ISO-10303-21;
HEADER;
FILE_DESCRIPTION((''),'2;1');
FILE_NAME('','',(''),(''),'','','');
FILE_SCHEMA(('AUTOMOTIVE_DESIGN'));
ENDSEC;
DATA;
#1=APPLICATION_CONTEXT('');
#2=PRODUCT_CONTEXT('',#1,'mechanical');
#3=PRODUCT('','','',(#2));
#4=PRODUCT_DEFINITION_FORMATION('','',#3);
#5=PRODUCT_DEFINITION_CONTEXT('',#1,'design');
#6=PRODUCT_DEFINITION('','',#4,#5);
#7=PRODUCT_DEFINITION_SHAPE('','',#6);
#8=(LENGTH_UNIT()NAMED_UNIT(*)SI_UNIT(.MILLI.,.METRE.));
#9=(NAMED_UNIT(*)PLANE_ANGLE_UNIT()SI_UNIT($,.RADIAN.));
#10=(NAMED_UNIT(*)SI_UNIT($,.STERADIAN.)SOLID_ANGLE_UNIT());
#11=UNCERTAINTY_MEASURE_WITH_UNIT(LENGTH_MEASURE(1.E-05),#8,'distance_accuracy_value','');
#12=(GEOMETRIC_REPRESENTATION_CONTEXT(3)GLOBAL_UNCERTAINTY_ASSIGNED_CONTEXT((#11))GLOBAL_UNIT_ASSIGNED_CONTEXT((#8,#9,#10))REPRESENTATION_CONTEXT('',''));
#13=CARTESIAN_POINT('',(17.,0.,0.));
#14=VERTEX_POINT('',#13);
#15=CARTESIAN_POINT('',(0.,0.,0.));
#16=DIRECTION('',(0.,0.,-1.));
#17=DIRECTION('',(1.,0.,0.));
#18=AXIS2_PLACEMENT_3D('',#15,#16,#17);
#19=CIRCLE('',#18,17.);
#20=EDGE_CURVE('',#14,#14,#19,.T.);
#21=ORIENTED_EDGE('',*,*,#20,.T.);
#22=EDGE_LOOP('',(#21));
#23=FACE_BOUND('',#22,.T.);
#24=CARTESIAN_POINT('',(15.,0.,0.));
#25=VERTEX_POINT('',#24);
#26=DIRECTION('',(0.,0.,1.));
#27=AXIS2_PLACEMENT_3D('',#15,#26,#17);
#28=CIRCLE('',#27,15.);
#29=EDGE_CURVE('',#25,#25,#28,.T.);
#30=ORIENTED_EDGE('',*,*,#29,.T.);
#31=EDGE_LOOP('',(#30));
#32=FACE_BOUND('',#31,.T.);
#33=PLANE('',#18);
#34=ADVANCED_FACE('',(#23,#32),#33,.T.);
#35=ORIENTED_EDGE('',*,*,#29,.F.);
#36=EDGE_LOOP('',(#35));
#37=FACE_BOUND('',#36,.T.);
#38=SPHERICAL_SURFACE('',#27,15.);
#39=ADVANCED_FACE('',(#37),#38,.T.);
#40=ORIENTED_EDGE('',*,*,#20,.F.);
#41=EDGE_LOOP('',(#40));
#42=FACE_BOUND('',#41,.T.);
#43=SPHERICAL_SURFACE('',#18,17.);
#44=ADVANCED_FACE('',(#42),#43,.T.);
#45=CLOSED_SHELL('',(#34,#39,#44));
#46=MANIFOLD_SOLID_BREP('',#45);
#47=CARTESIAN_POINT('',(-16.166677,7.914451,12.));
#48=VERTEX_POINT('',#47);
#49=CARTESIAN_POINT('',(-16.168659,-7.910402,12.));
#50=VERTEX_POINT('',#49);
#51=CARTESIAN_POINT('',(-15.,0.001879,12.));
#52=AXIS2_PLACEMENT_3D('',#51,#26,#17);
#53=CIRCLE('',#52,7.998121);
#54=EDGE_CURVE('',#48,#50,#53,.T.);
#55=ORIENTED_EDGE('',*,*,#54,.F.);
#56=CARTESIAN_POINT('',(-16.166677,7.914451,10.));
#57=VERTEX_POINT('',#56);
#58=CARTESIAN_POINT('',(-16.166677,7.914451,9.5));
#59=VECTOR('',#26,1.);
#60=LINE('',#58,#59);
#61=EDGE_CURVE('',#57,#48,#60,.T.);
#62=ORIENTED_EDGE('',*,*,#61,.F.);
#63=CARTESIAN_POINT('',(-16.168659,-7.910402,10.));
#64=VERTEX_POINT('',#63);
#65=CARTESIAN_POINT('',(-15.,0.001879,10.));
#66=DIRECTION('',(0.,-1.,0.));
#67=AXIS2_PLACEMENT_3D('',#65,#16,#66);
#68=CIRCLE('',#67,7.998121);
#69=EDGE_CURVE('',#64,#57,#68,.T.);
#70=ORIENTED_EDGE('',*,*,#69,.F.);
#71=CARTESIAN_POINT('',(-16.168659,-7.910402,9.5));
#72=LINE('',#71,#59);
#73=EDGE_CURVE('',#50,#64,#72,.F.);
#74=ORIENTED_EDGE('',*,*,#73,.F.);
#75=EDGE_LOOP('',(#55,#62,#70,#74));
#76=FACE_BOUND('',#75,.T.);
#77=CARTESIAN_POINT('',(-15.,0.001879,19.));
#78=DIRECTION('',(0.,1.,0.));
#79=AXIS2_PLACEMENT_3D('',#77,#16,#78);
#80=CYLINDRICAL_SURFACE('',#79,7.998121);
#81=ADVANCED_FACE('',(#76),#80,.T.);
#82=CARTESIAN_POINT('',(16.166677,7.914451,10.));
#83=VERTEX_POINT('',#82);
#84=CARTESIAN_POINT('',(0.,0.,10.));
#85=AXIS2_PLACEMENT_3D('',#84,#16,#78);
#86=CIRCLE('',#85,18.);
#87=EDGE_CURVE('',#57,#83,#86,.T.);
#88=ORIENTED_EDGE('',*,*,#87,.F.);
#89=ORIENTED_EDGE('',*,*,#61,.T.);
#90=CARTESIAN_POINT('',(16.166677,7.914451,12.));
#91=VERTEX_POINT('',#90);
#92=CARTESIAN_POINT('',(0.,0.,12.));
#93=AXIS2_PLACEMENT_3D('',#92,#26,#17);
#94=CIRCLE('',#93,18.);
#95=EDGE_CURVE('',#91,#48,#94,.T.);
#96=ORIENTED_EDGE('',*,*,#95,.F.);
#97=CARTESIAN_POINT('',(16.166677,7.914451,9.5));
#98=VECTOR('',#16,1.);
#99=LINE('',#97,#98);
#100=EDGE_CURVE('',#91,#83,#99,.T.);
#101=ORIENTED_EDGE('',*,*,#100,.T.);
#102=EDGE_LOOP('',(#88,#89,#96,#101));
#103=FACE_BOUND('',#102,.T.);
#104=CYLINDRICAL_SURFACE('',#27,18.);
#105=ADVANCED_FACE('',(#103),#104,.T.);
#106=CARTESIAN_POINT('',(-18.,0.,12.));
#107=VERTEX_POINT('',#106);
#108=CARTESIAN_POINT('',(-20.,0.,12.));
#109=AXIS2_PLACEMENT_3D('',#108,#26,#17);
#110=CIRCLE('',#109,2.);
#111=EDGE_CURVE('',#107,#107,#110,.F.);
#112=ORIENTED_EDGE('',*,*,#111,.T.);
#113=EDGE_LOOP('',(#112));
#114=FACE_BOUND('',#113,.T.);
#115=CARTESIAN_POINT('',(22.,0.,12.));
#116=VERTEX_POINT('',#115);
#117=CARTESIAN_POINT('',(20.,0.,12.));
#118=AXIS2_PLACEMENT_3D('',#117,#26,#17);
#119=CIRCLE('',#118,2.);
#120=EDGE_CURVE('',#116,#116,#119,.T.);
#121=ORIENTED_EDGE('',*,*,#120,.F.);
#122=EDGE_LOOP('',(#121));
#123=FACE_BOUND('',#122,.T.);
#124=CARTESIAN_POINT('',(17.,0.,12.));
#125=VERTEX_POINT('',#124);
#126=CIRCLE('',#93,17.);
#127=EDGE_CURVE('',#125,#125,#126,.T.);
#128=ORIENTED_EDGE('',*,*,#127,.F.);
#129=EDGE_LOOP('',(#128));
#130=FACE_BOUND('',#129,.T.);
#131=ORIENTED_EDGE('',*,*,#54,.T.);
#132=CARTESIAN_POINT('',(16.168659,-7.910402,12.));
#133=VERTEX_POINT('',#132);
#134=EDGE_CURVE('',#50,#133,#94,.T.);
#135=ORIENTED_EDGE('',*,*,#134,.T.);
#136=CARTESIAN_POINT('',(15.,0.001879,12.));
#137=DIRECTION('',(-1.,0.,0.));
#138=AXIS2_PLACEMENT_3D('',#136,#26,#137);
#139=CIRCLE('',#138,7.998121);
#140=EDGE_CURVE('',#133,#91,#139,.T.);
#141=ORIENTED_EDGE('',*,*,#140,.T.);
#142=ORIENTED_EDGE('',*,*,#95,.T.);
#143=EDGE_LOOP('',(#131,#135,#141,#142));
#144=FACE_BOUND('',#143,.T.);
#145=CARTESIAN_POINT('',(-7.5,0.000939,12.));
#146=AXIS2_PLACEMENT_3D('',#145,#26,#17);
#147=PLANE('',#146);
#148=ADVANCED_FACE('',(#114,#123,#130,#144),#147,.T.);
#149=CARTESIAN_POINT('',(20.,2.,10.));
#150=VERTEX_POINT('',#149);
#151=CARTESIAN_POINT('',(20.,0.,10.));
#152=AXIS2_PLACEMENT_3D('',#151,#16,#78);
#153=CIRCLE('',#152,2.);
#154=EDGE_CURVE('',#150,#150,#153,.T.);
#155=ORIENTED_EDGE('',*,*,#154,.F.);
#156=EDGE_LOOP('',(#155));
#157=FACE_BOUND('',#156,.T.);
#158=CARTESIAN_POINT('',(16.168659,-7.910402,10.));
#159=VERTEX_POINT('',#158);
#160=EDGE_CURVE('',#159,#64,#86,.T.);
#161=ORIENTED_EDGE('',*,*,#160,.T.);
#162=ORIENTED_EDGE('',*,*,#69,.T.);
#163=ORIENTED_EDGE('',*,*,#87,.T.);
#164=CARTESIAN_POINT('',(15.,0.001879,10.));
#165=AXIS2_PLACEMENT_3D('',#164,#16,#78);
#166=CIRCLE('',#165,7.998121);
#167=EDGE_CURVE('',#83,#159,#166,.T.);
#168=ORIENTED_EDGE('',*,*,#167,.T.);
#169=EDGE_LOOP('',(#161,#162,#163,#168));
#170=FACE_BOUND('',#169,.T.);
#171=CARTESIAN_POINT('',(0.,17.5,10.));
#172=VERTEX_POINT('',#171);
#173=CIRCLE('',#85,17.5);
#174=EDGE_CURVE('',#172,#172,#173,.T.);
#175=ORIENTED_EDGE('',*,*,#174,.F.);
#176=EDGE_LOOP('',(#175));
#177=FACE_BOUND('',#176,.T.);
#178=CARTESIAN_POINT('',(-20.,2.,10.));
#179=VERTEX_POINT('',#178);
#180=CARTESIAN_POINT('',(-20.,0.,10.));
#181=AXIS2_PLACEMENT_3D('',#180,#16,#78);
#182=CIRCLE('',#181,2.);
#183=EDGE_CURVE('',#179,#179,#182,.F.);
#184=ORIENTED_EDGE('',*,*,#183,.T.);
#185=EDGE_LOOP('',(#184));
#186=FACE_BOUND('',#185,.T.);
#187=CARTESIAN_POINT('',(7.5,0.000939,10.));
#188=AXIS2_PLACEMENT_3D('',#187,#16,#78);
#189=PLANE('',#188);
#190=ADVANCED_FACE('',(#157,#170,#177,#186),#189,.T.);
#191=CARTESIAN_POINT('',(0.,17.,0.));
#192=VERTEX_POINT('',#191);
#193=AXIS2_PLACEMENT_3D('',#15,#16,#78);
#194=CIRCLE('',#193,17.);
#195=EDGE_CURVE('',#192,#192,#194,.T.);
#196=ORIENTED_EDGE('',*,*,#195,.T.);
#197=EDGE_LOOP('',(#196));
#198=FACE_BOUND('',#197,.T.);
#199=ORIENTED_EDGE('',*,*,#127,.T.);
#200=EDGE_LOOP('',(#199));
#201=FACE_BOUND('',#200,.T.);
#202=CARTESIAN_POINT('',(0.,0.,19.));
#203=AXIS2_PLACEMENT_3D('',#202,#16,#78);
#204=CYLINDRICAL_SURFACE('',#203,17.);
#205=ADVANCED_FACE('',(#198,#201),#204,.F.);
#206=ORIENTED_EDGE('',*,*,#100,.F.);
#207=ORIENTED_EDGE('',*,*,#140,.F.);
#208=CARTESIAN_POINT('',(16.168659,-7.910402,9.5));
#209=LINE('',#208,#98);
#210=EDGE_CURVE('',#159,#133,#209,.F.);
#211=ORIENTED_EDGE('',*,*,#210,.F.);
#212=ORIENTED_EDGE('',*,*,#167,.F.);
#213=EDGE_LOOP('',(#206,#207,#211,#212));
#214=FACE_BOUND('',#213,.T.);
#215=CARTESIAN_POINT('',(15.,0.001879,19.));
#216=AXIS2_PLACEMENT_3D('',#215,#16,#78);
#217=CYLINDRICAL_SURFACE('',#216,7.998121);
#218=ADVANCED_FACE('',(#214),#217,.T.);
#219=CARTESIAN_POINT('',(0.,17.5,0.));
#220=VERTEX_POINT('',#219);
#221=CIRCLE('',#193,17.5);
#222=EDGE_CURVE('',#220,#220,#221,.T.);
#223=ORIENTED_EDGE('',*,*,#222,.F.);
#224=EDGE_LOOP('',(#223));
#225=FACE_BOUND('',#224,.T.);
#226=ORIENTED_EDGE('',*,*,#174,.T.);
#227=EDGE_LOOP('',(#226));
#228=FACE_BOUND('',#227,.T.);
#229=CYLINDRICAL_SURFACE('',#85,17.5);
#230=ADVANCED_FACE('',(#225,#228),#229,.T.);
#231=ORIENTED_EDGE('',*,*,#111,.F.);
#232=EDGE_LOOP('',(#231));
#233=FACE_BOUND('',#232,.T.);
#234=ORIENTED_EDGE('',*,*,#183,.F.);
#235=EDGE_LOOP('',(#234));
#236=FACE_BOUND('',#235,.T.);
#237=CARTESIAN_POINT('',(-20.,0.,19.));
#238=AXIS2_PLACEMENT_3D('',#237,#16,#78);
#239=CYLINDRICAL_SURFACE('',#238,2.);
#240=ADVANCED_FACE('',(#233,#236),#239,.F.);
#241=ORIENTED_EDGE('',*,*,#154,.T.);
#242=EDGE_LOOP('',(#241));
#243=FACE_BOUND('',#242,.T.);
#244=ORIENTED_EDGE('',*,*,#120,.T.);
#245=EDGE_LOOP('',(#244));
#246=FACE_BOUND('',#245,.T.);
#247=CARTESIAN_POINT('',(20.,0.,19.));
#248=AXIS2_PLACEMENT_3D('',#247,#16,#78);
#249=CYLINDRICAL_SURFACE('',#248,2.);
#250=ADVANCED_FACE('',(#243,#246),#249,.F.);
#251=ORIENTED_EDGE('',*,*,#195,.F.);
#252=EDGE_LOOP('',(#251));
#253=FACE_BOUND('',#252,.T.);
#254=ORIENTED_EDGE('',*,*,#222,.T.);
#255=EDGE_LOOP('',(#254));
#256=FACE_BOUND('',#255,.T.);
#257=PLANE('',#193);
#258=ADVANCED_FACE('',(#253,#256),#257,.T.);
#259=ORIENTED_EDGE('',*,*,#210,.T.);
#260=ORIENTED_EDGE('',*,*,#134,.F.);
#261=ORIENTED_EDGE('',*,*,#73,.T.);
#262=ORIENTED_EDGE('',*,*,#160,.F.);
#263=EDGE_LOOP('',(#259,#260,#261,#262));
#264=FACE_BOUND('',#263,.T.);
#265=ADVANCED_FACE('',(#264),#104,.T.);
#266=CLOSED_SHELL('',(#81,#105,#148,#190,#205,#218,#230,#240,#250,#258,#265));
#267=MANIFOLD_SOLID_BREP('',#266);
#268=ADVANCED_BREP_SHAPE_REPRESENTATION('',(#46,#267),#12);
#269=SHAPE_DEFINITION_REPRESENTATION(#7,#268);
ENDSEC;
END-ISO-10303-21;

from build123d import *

# Parameters (mm, degrees)
REVOLVE5_ANGLE        = 180
SKETCH6_R             = 2
BOSS_EXTRUDE2_DEPTH   = 19
BOSS_EXTRUDE2_2_DEPTH = 19
SKETCH7_R             = 18
SKETCH7_R_2           = 17
BOSS_EXTRUDE3_DEPTH   = 19
SKETCH8_R             = 17.5
CUT_EXTRUDE5_DEPTH    = 10
SKETCH10_R            = 17.5
CUT_EXTRUDE6_DEPTH    = 7
SKETCH11_R            = 17.5
SKETCH11_R_2          = 17
CUT_EXTRUDE7_DEPTH    = 7


with BuildPart() as part:
    # Sketch1 → Revolve4 (revolve)
    with BuildSketch(Plane.XY):
        with BuildLine():
            Line((-15, 0), (15, 0))
            ThreePointArc((15, 0), (0, 15), (-15, 0))
        make_face()
    revolve(axis=Axis((-15, 0, 0), (1, 0, 0)))

    # Sketch5 → Revolve5 (revolve)
    with BuildSketch(Plane.XY):
        with BuildLine():
            Line((-17, 0), (-15, 0))
            ThreePointArc((-15, 0), (0, 15), (15, 0))
            Line((15, 0), (17, 0))
            ThreePointArc((17, 0), (0, 17), (-17, 0))
        make_face()
    revolve(axis=Axis((-17, 0, 0), (1, 0, 0)), revolution_arc=REVOLVE5_ANGLE)


with BuildPart() as body_2:
    # Sketch6 → Boss-Extrude2 (new body)
    with BuildSketch(Plane(origin=(0, 0, 0), x_dir=(-1, 0, 0), z_dir=(0, 0, -1))):
        with BuildLine():
            ThreePointArc((17, 0), (16.492938745, -4.121040105), (15.002003347, -7.996242591))
            ThreePointArc((15.002003347, -7.996242591), (20.655570006, -5.653603202), (22.9981212, 0))
            ThreePointArc((22.9981212, 0), (20.656190033, 5.656740256), (15, 8))
            ThreePointArc((15, 8), (16.492422502, 4.123105626), (17, 0))
        make_face()
        with Locations(Location((20, 0, 0), (0, 0, 90))):
            Circle(SKETCH6_R, mode=Mode.SUBTRACT)
    extrude(amount=-BOSS_EXTRUDE2_DEPTH)



with BuildPart() as body_3:
    # Sketch6 → Boss-Extrude2 2 (new body)
    with BuildSketch(Plane(origin=(0, 0, 0), x_dir=(-1, 0, 0), z_dir=(0, 0, -1))):
        with BuildLine():
            ThreePointArc((-15, 8), (-22.998121358, 0.002880253), (-15.002003347, -7.996242591))
            ThreePointArc((-15.002003347, -7.996242591), (-16.999999867, 0.002129056), (-15, 8))
        make_face()
        with Locations(Location((-20, 0, 0), (0, 0, 90))):
            Circle(SKETCH6_R, mode=Mode.SUBTRACT)
    extrude(amount=-BOSS_EXTRUDE2_2_DEPTH)


with BuildPart() as body_2_1:
    add(body_2.part)

    add(body_3.part)  # Boss-Extrude3 merges body 3
    # Sketch7 → Boss-Extrude3 (add)
    with BuildSketch(Plane.XY.offset(19)):
        Circle(SKETCH7_R)
        with Locations(Location((0, 0, 0), (0, 0, 90))):
            Circle(SKETCH7_R_2, mode=Mode.SUBTRACT)
    extrude(amount=-BOSS_EXTRUDE3_DEPTH)

    # Sketch8 → Cut-Extrude5 (cut)
    with BuildSketch(Plane(origin=(0, 0, 0), x_dir=(-1, 0, 0), z_dir=(0, 0, -1))):
        with BuildLine():
            ThreePointArc((-16.168659263, -7.910401863), (0, -18), (16.168659263, -7.910401863))
            ThreePointArc((16.168659263, -7.910401863), (22.998121358, 0.002880253), (16.166677381, 7.914451495))
            ThreePointArc((16.166677381, 7.914451495), (0, 18), (-16.166677381, 7.914451495))
            ThreePointArc((-16.166677381, 7.914451495), (-22.998121358, 0.002880253), (-16.168659263, -7.910401863))
        make_face()
        with Locations(Location((0, 0, 0), (0, 0, 90))):
            Circle(SKETCH8_R, mode=Mode.SUBTRACT)
    extrude(amount=-CUT_EXTRUDE5_DEPTH, mode=Mode.SUBTRACT)

    # Sketch10 → Cut-Extrude6 (cut)
    with BuildSketch(Plane.XY.offset(19)):
        with BuildLine():
            ThreePointArc((16.166677381, 7.914451495), (0, 18), (-16.166677381, 7.914451495))
            ThreePointArc((-16.166677381, 7.914451495), (-22.998121358, 0.002880253), (-16.168659263, -7.910401863))
            ThreePointArc((-16.168659263, -7.910401863), (0, -18), (16.168659263, -7.910401863))
            ThreePointArc((16.168659263, -7.910401863), (22.998121358, 0.002880253), (16.166677381, 7.914451495))
        make_face()
        with Locations(Location((0, 0, 0), (0, 0, 90))):
            Circle(SKETCH10_R, mode=Mode.SUBTRACT)
    extrude(amount=-CUT_EXTRUDE6_DEPTH, mode=Mode.SUBTRACT)

    # Sketch11 → Cut-Extrude7 (cut)
    with BuildSketch(Plane.XY.offset(19)):
        with Locations(Location((0, 0, 0), (0, 0, 90))):
            Circle(SKETCH11_R)
        with Locations(Location((0, 0, 0), (0, 0, 90))):
            Circle(SKETCH11_R_2, mode=Mode.SUBTRACT)
    extrude(amount=-CUT_EXTRUDE7_DEPTH, mode=Mode.SUBTRACT)


solid = Compound([part.part, body_2_1.part])
